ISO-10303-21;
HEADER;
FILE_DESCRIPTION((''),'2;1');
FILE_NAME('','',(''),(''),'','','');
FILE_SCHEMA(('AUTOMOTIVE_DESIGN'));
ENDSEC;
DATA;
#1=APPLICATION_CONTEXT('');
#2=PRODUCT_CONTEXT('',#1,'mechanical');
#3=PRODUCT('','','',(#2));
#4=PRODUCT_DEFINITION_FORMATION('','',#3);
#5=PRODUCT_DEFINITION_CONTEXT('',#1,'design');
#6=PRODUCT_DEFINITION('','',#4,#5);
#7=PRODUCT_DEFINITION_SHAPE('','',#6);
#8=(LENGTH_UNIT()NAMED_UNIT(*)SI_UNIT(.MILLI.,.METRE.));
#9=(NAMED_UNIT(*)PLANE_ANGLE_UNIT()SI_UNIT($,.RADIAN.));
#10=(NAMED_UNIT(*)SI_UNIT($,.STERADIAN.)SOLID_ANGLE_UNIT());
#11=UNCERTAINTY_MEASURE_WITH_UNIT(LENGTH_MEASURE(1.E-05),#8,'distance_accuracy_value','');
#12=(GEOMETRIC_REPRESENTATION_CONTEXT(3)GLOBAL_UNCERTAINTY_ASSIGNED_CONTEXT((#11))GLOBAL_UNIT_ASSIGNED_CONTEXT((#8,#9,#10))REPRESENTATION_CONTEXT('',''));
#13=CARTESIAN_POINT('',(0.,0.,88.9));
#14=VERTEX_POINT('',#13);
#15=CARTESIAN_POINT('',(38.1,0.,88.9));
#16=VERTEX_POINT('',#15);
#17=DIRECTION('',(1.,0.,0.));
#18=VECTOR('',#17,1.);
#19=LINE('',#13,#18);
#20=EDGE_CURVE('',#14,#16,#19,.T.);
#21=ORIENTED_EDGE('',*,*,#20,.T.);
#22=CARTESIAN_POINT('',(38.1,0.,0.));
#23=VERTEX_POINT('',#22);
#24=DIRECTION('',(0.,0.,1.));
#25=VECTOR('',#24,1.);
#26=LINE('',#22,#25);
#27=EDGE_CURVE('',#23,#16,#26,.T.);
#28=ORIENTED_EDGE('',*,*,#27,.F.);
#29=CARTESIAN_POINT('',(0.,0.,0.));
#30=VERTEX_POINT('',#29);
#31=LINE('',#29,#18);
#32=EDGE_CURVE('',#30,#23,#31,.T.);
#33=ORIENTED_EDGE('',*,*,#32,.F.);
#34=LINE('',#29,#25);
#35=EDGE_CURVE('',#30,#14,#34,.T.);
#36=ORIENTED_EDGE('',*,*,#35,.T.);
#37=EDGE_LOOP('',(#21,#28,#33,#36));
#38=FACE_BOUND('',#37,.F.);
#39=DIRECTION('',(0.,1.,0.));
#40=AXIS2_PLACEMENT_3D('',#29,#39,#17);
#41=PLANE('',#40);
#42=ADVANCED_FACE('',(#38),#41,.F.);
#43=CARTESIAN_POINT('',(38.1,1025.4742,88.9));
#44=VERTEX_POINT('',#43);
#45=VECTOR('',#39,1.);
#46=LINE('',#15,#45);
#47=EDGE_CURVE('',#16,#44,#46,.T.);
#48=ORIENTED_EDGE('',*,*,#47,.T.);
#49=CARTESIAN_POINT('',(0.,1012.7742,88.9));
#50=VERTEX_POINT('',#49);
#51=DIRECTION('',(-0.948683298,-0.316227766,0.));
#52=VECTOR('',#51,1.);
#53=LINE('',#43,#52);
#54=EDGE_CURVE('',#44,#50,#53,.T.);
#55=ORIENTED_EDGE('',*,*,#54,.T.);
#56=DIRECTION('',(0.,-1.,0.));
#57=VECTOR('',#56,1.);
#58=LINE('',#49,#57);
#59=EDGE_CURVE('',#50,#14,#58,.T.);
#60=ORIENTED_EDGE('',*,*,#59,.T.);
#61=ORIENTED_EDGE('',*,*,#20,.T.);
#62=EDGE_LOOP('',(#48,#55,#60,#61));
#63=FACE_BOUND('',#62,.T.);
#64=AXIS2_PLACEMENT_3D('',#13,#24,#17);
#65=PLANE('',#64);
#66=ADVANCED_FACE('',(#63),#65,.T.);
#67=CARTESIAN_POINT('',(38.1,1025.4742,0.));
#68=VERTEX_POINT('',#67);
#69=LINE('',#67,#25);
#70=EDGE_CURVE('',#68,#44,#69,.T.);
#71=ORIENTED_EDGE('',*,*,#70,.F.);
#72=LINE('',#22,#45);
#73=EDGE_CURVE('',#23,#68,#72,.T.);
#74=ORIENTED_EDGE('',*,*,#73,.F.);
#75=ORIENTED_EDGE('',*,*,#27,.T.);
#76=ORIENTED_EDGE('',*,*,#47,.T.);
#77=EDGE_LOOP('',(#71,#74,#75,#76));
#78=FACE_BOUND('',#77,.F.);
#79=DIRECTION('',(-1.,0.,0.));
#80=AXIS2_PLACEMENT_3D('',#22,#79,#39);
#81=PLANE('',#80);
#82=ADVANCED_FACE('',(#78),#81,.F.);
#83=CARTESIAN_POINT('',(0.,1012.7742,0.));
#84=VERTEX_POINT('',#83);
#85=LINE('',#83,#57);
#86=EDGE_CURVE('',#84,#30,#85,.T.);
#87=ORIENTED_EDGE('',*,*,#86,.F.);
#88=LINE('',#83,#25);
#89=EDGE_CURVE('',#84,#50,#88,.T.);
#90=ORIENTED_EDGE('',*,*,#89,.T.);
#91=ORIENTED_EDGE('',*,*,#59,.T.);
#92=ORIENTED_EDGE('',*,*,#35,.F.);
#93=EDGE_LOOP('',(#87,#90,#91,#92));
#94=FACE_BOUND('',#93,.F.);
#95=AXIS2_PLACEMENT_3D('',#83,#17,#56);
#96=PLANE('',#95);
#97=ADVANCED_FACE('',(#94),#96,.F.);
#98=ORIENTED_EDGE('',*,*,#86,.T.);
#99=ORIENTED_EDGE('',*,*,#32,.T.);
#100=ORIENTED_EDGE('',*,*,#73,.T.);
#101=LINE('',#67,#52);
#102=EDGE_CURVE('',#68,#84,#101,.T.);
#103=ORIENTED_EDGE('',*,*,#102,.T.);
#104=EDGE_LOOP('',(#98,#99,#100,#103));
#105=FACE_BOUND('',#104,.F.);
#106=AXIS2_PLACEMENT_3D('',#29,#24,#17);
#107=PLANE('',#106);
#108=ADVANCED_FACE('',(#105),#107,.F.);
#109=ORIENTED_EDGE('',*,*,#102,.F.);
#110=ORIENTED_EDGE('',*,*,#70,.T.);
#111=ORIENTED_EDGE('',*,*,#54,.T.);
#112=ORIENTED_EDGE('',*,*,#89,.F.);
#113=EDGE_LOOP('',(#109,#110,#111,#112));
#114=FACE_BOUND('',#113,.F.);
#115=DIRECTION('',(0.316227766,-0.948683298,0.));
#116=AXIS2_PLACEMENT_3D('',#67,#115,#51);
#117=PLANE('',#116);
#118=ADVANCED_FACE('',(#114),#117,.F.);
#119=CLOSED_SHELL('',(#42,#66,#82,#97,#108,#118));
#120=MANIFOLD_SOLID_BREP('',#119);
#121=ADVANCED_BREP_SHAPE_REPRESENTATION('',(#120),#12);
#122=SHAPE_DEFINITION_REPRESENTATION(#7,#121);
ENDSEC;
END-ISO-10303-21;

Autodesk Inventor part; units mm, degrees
ref_plane "YZ Plane" through (0, 0, 0) normal (1, 0, 0) x (0, 1, 0)
ref_plane "XZ Plane" through (0, 0, 0) normal (0, 1, 0) x (-1, 0, 0)
ref_plane "XY Plane" through (0, 0, 0) normal (0, 0, 1) x (1, 0, 0)
sketch "Sketch1" plane through (0, 0, 0) normal (0, 0, 1) x (1, 0, 0)
  line L0 (0, 0) -> (38.1, 0)
  line L1 (38.1, 0) -> (38.1, 1025.4742)
  line L2 (38.1, 1025.4742) -> (0, 1012.7742)
  line L3 (0, 1012.7742) -> (0, 0)
  dimension "d2" = 38.1
  dimension "d5" = 1012.7742
  dimension "d6" = 1025.4742
extrude "Extrusion1" add sketch "Sketch1" along normal blind 88.9
properties part number "Stud_Between_Top_Plate_And_Rafter_8" material "Wood (Birch)"
